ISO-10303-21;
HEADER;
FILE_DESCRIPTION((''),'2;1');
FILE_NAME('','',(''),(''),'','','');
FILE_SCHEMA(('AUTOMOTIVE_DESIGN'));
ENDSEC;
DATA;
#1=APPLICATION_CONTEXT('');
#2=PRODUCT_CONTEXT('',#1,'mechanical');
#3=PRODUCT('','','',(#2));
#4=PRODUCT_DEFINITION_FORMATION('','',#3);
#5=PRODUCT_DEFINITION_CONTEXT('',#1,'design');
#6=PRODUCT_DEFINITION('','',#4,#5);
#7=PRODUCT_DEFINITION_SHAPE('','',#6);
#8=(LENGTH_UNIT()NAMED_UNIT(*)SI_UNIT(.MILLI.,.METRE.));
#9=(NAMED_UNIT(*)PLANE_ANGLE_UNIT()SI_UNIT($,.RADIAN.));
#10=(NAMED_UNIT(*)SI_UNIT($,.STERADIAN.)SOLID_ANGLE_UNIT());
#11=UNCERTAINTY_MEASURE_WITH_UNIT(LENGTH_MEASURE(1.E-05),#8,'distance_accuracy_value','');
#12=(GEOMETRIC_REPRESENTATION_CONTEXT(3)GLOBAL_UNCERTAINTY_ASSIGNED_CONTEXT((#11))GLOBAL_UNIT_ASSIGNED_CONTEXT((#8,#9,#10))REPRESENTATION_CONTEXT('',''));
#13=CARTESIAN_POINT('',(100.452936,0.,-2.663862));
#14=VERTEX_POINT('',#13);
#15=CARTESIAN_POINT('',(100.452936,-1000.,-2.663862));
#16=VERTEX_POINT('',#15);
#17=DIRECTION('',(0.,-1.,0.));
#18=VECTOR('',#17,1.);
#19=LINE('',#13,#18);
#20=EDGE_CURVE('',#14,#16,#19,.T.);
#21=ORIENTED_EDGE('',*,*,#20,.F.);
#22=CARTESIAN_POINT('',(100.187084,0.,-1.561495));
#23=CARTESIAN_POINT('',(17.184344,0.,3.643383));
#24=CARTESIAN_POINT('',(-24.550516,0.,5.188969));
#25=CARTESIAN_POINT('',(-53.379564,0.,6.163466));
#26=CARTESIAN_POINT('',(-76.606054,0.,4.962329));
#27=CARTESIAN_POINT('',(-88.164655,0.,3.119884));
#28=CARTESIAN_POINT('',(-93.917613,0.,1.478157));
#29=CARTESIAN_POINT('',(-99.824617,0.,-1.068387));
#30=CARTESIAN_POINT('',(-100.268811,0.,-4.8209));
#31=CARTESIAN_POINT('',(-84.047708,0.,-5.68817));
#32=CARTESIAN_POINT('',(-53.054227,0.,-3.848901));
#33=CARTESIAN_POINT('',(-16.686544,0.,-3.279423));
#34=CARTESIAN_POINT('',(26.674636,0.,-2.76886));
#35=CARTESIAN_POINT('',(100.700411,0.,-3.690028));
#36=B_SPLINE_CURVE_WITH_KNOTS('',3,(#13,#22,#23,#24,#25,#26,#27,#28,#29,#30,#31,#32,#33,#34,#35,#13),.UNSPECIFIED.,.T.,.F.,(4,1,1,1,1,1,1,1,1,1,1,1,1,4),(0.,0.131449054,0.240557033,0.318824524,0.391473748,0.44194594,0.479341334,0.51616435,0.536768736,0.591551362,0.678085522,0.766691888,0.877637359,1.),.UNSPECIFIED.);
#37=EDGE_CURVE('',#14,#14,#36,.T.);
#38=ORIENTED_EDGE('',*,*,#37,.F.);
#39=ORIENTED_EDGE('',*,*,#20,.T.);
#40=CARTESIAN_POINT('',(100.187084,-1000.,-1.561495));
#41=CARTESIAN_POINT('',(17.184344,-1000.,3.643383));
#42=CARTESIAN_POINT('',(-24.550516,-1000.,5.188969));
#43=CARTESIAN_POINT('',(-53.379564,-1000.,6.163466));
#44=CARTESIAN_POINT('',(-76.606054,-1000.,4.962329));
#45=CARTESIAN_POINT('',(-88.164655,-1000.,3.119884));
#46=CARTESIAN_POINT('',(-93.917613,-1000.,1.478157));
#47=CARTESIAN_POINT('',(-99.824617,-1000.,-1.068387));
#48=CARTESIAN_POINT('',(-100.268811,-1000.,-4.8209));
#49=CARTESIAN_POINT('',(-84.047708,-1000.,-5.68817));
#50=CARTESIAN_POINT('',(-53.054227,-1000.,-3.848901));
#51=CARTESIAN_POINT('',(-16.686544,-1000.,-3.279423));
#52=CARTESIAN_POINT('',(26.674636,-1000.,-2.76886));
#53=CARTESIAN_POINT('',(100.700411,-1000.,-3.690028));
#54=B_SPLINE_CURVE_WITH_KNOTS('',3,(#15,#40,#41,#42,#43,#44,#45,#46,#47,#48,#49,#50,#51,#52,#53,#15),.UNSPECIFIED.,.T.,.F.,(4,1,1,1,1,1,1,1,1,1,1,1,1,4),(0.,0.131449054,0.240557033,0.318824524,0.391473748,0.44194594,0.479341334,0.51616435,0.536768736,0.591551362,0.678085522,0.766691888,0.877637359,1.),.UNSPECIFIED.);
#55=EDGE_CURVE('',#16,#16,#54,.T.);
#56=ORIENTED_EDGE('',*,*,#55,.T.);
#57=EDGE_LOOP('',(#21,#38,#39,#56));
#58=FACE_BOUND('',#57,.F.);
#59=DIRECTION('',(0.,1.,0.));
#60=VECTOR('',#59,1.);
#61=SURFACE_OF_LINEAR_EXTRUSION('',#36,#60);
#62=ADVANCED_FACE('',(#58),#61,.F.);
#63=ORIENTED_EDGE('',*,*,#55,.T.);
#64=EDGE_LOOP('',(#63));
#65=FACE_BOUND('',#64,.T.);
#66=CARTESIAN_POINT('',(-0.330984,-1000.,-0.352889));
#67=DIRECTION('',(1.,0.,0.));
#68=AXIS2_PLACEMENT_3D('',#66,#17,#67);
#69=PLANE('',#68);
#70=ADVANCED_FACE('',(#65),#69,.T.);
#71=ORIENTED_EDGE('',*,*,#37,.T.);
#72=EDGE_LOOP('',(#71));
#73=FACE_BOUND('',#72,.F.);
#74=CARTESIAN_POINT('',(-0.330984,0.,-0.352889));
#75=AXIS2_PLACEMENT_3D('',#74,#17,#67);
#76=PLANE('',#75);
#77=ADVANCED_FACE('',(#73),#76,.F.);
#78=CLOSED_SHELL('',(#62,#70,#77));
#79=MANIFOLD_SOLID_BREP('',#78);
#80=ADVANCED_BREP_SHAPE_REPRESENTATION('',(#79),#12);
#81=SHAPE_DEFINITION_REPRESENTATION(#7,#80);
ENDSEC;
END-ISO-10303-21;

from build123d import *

# Parameters (mm, degrees)
F1_DEPTH = 1000


with BuildPart() as f1:
    # F0 (on Front) → F1 (new body)
    with BuildSketch(Plane.XZ):
        with BuildLine():
            add(Edge.make_bspline(
                [(100.4529358966, -2.6638622835), (100.1870837013, -1.5614950724), (17.1843440871, 3.6433827347), (-24.5505156711, 5.1889688623), (-53.3795640282, 6.163466172), (-76.6060540115, 4.9623286278), (-88.164655136, 3.1198843094), (-93.9176127773, 1.4781570378), (-99.8246174446, -1.0683873694), (-100.268810864, -4.8208995711), (-84.047708212, -5.6881695274), (-53.0542265495, -3.8489006598), (-16.6865444096, -3.2794231247), (26.6746363677, -2.7688597059), (100.7004110652, -3.6900283873), (100.4529358966, -2.6638622835)],
                knots=[0, 0, 0, 0, 0.1314490542, 0.2405570334, 0.3188245239, 0.3914737485, 0.4419459402, 0.4793413335, 0.5161643503, 0.5367687355, 0.5915513616, 0.6780855222, 0.7666918876, 0.8776373586, 1, 1, 1, 1], degree=3))
        make_face()
    extrude(amount=F1_DEPTH)


solid = f1.part
